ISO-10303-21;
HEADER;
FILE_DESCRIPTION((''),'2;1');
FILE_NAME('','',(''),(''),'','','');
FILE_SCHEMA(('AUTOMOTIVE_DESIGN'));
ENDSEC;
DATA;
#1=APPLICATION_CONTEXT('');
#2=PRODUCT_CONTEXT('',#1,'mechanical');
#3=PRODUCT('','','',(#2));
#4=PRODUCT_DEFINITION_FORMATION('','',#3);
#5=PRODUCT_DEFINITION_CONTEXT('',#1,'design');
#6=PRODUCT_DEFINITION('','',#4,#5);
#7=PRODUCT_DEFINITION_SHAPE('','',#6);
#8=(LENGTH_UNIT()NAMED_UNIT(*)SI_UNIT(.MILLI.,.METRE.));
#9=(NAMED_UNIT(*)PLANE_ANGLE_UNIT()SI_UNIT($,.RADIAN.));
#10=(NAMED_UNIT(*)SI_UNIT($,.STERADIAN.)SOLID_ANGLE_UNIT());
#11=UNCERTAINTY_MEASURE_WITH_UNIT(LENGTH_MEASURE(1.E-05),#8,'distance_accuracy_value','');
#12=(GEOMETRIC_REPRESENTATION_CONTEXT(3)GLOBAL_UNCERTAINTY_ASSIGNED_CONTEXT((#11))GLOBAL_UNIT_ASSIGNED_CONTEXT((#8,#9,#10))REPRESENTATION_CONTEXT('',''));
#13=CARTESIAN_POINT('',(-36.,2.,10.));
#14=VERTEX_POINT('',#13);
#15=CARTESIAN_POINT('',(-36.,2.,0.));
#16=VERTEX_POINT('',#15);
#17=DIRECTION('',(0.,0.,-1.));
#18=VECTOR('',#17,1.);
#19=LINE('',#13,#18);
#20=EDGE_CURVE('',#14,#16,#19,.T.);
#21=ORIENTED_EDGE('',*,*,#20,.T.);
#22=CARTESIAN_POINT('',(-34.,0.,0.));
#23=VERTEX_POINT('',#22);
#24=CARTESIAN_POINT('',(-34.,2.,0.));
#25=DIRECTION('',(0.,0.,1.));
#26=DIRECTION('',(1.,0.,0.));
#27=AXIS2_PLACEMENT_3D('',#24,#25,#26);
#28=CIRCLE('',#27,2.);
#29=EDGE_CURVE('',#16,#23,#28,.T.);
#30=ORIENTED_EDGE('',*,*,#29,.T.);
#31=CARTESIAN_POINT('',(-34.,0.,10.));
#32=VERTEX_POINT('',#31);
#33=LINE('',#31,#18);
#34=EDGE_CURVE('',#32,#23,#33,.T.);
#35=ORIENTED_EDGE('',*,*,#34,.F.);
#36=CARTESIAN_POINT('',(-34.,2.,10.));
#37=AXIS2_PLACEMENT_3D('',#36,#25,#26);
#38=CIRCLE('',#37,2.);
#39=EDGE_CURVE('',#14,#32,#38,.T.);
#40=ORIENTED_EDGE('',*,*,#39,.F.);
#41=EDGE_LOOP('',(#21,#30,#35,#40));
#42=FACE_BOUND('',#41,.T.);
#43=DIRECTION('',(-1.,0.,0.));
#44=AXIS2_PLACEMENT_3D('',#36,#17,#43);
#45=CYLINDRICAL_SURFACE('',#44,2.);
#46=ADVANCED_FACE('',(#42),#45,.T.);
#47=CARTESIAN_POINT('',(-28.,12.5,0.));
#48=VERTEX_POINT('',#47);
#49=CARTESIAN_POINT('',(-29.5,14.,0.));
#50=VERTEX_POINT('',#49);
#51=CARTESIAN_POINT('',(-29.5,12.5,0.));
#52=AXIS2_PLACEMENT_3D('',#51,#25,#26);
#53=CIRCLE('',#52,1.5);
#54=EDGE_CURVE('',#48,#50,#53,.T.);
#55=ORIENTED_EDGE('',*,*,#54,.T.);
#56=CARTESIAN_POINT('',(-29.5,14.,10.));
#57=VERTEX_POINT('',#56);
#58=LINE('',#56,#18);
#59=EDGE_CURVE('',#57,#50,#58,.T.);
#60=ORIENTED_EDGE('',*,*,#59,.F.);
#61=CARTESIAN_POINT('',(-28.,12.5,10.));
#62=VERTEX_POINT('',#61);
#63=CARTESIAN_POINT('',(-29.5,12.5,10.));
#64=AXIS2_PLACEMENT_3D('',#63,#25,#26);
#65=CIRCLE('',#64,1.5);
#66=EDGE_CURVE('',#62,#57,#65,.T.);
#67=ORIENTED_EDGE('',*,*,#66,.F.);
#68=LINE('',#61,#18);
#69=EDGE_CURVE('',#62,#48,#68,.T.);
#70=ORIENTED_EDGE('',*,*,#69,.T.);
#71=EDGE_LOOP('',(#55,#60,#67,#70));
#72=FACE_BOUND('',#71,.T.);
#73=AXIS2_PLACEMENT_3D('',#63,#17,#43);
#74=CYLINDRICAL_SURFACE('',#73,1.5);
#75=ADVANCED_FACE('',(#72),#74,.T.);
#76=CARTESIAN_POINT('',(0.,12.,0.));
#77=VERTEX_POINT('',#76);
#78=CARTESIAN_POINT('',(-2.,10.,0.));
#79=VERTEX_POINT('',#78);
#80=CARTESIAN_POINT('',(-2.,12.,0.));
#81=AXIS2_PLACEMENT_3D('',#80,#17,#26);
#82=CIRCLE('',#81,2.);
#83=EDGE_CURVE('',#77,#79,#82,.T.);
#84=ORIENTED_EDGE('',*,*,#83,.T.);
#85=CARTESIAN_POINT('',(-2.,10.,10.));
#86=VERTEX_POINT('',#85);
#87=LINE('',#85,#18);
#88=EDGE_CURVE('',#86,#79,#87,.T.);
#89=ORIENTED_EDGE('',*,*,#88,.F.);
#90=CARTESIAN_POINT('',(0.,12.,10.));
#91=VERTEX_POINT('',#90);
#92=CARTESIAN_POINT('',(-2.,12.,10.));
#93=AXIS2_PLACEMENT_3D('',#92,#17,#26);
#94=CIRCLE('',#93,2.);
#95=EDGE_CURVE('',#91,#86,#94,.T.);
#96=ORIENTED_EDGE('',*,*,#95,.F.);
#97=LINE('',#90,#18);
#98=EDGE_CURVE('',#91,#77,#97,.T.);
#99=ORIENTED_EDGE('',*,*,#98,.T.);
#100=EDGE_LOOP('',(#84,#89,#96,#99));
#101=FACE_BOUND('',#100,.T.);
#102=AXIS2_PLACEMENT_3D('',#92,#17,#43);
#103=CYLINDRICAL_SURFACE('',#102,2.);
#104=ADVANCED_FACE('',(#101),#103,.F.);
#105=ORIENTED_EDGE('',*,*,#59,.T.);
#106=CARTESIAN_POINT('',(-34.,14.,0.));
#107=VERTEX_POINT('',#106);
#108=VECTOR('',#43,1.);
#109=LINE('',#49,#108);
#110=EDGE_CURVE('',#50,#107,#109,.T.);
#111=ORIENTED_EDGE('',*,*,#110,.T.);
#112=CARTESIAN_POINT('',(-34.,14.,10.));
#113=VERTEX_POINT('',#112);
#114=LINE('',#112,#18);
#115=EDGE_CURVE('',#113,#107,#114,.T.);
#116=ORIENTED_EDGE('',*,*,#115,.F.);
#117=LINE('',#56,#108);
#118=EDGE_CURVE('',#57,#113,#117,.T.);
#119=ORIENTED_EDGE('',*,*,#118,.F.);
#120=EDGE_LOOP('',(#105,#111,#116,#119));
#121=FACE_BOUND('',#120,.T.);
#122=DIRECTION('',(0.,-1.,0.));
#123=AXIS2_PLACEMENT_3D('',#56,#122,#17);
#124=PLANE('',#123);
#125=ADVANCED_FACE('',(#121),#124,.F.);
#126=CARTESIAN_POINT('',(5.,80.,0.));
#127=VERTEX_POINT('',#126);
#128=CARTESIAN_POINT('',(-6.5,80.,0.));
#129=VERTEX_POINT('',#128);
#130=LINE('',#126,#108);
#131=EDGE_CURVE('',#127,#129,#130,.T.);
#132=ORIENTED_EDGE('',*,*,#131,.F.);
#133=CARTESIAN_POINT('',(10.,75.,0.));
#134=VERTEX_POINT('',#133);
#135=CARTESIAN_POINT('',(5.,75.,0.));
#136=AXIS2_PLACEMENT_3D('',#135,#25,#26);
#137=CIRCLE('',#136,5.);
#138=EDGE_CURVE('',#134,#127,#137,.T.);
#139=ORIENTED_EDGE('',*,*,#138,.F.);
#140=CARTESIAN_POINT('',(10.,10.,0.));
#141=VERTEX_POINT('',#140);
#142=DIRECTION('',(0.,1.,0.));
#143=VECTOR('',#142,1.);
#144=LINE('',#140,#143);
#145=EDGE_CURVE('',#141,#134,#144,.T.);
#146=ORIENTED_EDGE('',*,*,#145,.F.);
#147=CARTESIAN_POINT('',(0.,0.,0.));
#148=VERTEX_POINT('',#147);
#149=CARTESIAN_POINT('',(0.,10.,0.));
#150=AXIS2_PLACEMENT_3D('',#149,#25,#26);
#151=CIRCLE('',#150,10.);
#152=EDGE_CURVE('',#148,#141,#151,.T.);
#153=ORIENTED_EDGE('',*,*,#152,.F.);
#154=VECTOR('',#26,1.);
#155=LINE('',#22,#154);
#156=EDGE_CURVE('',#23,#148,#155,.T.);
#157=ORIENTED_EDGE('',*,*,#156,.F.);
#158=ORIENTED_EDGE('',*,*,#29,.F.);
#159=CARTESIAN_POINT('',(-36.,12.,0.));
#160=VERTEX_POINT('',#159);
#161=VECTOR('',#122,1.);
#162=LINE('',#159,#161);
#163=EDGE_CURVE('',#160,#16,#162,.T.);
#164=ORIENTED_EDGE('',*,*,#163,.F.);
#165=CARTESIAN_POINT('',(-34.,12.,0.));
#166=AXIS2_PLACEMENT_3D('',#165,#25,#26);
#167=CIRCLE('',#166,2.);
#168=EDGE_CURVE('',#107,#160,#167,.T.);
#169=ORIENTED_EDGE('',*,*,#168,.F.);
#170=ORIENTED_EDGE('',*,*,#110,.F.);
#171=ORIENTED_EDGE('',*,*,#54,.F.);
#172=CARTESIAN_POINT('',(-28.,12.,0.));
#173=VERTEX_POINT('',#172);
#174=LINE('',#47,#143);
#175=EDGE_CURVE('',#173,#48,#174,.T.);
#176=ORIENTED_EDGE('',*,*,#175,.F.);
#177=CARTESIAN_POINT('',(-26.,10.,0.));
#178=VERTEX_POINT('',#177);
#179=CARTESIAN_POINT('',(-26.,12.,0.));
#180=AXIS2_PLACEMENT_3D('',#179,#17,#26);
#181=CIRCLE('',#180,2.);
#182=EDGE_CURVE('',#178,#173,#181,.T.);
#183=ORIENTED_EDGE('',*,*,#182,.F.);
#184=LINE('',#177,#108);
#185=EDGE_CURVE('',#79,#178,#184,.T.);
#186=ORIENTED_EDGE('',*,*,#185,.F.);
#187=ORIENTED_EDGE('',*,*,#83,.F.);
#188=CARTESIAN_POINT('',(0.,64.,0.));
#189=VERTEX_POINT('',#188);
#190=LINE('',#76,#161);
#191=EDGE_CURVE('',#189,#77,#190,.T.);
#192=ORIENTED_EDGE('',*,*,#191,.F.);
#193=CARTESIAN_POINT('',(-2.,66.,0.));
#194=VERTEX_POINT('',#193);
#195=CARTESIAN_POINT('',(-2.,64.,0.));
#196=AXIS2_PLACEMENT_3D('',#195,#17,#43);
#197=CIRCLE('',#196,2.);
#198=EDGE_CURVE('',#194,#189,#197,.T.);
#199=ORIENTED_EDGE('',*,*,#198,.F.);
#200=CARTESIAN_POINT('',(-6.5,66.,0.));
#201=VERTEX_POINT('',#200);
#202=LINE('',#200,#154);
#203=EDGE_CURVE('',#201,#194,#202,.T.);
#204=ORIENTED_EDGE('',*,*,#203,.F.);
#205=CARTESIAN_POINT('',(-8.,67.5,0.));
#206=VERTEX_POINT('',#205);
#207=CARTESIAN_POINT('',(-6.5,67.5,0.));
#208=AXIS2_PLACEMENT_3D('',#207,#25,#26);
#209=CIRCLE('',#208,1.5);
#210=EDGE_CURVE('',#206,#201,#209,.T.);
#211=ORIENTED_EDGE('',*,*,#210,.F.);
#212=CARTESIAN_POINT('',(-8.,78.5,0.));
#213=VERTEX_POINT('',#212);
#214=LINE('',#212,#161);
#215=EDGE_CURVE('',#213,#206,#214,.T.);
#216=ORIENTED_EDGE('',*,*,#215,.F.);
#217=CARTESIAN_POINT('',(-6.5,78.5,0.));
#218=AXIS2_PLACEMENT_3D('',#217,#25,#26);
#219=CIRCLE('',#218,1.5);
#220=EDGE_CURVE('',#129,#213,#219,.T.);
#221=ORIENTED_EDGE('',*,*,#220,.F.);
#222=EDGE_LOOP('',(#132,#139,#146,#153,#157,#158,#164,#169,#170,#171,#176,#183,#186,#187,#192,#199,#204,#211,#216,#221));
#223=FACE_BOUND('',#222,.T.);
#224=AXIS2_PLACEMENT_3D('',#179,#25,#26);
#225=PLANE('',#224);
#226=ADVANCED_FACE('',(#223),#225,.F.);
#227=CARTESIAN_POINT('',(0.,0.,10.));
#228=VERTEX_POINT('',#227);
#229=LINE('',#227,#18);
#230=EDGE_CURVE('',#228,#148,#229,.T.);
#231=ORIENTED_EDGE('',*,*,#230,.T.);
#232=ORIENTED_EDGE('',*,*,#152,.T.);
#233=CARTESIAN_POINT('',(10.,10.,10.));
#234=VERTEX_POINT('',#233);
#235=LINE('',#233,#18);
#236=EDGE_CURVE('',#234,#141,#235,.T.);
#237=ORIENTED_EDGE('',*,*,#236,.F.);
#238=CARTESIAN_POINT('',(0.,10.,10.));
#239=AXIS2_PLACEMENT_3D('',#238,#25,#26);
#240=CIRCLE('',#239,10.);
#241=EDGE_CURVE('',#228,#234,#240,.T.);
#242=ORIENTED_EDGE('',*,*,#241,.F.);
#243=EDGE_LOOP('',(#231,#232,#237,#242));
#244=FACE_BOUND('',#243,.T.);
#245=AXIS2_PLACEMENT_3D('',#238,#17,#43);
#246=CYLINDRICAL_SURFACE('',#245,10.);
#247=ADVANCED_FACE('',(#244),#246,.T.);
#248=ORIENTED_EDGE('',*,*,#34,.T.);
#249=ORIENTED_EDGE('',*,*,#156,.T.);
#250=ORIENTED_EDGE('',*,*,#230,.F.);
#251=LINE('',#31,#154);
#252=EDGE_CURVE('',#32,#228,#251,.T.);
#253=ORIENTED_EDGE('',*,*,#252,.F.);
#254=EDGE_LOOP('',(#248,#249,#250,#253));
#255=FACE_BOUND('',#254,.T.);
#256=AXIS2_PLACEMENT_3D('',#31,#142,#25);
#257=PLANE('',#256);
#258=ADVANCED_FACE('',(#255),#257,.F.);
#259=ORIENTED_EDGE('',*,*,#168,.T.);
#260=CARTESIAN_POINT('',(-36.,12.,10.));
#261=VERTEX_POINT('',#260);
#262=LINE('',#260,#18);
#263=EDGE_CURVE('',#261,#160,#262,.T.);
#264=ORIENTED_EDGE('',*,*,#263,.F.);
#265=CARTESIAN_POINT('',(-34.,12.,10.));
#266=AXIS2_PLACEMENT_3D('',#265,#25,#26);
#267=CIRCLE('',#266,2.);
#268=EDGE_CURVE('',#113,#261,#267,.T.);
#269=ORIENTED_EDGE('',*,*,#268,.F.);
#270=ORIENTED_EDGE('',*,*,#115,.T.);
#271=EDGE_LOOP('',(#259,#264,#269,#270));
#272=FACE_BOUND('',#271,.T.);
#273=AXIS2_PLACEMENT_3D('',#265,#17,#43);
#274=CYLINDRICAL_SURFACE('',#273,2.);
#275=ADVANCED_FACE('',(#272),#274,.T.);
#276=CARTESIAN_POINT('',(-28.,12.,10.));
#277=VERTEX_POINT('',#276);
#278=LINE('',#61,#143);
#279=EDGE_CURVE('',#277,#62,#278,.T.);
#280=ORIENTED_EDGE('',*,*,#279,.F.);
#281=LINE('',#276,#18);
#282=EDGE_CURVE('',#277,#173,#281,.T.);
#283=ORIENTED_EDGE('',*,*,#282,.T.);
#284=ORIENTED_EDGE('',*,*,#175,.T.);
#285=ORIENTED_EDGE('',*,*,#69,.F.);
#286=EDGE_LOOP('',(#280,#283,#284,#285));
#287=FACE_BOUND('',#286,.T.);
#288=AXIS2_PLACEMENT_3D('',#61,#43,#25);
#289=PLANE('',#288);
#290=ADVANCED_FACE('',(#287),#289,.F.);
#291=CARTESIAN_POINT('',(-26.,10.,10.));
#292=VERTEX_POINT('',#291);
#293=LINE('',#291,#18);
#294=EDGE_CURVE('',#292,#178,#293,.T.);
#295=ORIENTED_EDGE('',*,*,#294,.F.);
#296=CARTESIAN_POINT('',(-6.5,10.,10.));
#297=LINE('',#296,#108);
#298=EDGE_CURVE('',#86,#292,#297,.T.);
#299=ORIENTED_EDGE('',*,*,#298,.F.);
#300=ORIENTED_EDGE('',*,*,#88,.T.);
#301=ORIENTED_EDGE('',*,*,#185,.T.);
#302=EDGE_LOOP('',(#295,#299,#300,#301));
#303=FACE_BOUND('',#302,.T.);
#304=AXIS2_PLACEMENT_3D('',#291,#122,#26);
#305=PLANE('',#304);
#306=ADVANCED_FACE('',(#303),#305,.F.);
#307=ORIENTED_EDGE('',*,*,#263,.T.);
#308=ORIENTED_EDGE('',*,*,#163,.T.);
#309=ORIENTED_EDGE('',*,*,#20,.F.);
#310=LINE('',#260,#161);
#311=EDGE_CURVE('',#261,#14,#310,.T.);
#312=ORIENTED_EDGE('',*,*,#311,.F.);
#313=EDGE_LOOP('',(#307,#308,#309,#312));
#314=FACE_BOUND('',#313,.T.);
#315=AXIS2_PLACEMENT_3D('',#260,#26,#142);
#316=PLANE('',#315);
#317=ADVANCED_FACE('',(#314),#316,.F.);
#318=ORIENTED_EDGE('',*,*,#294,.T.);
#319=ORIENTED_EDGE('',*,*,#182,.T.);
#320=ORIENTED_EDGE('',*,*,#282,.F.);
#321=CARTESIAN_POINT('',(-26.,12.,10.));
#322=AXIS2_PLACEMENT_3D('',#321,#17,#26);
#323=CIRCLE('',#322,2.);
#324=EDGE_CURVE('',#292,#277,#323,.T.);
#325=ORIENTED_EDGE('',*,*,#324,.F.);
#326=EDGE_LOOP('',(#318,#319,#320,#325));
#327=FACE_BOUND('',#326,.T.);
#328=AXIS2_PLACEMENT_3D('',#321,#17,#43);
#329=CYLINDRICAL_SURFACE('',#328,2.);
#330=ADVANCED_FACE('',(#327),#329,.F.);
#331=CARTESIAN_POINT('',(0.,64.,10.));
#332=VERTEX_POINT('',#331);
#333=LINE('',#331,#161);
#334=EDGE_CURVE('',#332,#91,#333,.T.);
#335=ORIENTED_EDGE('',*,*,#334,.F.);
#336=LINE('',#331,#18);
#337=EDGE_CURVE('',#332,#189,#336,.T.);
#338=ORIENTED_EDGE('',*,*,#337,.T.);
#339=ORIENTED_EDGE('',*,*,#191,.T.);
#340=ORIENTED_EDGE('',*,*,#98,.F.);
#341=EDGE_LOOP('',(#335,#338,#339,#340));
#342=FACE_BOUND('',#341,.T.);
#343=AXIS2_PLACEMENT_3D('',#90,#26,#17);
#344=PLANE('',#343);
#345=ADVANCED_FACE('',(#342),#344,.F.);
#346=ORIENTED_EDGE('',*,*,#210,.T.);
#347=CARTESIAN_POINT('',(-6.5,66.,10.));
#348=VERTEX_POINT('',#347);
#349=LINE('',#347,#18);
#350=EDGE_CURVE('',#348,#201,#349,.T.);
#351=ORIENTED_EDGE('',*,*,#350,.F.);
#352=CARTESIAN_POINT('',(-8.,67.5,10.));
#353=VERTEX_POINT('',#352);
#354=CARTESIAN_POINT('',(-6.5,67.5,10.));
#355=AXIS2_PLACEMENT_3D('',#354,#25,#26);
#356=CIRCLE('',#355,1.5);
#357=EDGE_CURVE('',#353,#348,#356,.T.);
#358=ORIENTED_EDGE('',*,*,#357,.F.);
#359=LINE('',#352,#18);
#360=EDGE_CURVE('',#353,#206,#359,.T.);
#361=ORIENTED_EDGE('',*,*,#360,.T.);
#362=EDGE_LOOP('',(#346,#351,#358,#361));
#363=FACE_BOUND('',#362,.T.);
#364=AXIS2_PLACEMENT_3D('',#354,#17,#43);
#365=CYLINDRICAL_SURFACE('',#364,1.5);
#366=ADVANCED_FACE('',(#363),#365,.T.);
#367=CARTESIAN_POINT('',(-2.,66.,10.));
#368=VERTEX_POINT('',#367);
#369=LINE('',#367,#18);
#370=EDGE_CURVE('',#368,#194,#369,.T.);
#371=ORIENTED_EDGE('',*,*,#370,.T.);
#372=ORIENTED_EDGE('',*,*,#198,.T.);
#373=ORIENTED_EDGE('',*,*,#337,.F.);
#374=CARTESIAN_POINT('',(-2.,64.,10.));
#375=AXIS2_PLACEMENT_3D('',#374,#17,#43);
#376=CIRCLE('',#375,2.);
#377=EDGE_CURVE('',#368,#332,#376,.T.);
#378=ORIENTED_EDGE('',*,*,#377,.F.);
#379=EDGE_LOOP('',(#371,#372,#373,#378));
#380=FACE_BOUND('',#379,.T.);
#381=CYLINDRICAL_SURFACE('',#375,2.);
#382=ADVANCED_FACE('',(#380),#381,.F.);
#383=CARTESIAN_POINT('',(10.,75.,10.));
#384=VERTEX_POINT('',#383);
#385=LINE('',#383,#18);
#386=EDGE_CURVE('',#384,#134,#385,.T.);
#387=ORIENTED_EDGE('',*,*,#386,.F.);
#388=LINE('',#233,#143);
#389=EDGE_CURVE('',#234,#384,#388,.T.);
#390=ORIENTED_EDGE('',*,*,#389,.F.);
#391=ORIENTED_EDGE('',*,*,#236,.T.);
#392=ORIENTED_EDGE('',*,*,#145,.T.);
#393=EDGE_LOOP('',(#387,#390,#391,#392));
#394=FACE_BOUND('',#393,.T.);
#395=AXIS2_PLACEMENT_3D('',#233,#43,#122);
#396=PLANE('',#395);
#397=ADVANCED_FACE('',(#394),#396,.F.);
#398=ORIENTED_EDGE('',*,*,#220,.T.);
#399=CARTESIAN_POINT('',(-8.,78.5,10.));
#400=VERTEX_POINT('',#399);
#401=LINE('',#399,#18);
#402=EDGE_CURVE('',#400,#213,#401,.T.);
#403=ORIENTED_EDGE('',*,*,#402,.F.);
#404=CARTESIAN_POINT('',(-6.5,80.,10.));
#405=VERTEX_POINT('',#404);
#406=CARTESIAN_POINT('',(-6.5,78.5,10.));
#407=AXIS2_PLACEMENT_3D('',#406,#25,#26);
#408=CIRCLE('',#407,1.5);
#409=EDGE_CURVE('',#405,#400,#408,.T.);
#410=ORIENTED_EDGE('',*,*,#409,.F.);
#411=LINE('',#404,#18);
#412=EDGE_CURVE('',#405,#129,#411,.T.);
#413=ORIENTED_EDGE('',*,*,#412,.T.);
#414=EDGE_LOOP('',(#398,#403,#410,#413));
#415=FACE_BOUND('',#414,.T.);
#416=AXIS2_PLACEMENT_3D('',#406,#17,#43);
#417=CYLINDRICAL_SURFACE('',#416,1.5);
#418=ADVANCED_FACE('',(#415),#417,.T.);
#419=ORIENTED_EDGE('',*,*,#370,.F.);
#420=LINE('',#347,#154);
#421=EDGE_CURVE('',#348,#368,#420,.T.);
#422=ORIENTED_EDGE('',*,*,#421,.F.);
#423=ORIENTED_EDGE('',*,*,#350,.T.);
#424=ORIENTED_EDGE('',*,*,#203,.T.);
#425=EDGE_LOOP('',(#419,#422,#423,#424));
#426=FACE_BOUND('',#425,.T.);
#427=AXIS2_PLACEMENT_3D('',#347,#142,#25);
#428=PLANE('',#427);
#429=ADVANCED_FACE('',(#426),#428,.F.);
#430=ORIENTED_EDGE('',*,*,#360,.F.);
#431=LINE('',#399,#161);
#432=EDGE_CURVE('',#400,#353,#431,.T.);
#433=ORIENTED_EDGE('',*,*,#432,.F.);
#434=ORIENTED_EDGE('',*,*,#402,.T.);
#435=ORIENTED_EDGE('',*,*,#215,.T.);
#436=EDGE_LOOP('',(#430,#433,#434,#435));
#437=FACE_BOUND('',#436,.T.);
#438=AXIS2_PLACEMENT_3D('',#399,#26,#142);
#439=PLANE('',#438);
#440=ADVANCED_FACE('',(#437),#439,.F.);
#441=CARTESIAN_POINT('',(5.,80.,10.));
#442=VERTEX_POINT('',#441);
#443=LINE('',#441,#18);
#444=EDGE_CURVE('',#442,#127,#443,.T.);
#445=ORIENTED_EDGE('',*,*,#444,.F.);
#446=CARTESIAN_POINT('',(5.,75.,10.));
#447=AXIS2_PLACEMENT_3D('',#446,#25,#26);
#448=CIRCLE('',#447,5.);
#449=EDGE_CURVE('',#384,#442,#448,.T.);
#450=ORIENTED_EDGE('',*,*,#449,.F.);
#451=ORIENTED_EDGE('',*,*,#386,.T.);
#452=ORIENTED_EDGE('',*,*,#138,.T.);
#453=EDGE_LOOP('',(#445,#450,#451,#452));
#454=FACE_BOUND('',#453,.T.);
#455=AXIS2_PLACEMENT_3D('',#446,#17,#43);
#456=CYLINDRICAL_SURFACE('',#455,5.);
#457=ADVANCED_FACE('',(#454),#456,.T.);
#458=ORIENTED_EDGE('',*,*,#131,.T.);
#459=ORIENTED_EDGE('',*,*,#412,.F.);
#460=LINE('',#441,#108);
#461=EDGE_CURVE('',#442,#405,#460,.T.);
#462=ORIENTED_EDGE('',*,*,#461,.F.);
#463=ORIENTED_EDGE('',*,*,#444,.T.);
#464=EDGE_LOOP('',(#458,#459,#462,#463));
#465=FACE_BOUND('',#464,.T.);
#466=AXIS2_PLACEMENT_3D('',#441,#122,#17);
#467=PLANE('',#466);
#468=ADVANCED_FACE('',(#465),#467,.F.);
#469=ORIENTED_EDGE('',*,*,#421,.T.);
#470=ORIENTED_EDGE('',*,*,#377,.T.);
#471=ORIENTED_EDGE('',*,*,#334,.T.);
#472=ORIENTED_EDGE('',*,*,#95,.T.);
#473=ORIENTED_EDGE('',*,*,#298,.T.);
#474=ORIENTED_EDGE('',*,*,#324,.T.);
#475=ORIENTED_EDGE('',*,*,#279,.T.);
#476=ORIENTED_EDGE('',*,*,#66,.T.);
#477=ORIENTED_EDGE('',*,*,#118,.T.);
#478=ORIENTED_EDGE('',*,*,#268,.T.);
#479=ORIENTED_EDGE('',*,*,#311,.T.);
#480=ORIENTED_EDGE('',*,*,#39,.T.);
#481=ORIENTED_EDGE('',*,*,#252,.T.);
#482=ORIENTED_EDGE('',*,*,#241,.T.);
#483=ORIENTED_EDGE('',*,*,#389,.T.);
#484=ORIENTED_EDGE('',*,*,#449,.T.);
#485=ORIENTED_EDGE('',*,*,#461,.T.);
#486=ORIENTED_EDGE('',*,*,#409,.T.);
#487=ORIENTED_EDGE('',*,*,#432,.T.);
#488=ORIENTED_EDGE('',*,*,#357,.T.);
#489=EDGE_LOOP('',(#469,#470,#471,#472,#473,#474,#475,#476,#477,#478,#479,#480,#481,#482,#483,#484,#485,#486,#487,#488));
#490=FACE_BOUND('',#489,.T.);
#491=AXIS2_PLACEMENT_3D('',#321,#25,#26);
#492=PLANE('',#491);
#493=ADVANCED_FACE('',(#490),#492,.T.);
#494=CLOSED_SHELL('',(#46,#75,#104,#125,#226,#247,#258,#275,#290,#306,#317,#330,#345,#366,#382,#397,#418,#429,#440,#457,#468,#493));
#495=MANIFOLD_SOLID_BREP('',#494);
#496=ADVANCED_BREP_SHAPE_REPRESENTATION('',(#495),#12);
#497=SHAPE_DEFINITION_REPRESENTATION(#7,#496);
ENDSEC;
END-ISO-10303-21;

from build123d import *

# Parameters (mm, degrees)
EXTRUDE_1_DEPTH = 10


with BuildPart() as part:
    # 草图1 → 凸台-拉伸1 (new body)
    with BuildSketch(Plane.XY):
        with BuildLine():
            Line((-6.5, 66), (-2, 66))
            ThreePointArc((-2, 66), (-0.585786438, 65.414213562), (0, 64))
            Line((0, 64), (0, 16))
            Line((0, 16), (0, 12))
            ThreePointArc((0, 12), (-0.585786438, 10.585786438), (-2, 10))
            Line((-2, 10), (-6.5, 10))
            Line((-6.5, 10), (-26, 10))
            ThreePointArc((-26, 10), (-27.414213562, 10.585786438), (-28, 12))
            Line((-28, 12), (-28, 12.5))
            ThreePointArc((-28, 12.5), (-28.439339828, 13.560660172), (-29.5, 14))
            Line((-29.5, 14), (-34, 14))
            ThreePointArc((-34, 14), (-35.414213562, 13.414213562), (-36, 12))
            Line((-36, 12), (-36, 2))
            ThreePointArc((-36, 2), (-35.414213562, 0.585786438), (-34, 0))
            Line((-34, 0), (0, 0))
            ThreePointArc((0, 0), (7.071067812, 2.928932188), (10, 10))
            Line((10, 10), (10, 75))
            ThreePointArc((10, 75), (8.535533906, 78.535533906), (5, 80))
            Line((5, 80), (-6.5, 80))
            ThreePointArc((-6.5, 80), (-7.560660172, 79.560660172), (-8, 78.5))
            Line((-8, 78.5), (-8, 67.5))
            ThreePointArc((-8, 67.5), (-7.560660172, 66.439339828), (-6.5, 66))
        make_face()
    extrude(amount=EXTRUDE_1_DEPTH)


solid = part.part
